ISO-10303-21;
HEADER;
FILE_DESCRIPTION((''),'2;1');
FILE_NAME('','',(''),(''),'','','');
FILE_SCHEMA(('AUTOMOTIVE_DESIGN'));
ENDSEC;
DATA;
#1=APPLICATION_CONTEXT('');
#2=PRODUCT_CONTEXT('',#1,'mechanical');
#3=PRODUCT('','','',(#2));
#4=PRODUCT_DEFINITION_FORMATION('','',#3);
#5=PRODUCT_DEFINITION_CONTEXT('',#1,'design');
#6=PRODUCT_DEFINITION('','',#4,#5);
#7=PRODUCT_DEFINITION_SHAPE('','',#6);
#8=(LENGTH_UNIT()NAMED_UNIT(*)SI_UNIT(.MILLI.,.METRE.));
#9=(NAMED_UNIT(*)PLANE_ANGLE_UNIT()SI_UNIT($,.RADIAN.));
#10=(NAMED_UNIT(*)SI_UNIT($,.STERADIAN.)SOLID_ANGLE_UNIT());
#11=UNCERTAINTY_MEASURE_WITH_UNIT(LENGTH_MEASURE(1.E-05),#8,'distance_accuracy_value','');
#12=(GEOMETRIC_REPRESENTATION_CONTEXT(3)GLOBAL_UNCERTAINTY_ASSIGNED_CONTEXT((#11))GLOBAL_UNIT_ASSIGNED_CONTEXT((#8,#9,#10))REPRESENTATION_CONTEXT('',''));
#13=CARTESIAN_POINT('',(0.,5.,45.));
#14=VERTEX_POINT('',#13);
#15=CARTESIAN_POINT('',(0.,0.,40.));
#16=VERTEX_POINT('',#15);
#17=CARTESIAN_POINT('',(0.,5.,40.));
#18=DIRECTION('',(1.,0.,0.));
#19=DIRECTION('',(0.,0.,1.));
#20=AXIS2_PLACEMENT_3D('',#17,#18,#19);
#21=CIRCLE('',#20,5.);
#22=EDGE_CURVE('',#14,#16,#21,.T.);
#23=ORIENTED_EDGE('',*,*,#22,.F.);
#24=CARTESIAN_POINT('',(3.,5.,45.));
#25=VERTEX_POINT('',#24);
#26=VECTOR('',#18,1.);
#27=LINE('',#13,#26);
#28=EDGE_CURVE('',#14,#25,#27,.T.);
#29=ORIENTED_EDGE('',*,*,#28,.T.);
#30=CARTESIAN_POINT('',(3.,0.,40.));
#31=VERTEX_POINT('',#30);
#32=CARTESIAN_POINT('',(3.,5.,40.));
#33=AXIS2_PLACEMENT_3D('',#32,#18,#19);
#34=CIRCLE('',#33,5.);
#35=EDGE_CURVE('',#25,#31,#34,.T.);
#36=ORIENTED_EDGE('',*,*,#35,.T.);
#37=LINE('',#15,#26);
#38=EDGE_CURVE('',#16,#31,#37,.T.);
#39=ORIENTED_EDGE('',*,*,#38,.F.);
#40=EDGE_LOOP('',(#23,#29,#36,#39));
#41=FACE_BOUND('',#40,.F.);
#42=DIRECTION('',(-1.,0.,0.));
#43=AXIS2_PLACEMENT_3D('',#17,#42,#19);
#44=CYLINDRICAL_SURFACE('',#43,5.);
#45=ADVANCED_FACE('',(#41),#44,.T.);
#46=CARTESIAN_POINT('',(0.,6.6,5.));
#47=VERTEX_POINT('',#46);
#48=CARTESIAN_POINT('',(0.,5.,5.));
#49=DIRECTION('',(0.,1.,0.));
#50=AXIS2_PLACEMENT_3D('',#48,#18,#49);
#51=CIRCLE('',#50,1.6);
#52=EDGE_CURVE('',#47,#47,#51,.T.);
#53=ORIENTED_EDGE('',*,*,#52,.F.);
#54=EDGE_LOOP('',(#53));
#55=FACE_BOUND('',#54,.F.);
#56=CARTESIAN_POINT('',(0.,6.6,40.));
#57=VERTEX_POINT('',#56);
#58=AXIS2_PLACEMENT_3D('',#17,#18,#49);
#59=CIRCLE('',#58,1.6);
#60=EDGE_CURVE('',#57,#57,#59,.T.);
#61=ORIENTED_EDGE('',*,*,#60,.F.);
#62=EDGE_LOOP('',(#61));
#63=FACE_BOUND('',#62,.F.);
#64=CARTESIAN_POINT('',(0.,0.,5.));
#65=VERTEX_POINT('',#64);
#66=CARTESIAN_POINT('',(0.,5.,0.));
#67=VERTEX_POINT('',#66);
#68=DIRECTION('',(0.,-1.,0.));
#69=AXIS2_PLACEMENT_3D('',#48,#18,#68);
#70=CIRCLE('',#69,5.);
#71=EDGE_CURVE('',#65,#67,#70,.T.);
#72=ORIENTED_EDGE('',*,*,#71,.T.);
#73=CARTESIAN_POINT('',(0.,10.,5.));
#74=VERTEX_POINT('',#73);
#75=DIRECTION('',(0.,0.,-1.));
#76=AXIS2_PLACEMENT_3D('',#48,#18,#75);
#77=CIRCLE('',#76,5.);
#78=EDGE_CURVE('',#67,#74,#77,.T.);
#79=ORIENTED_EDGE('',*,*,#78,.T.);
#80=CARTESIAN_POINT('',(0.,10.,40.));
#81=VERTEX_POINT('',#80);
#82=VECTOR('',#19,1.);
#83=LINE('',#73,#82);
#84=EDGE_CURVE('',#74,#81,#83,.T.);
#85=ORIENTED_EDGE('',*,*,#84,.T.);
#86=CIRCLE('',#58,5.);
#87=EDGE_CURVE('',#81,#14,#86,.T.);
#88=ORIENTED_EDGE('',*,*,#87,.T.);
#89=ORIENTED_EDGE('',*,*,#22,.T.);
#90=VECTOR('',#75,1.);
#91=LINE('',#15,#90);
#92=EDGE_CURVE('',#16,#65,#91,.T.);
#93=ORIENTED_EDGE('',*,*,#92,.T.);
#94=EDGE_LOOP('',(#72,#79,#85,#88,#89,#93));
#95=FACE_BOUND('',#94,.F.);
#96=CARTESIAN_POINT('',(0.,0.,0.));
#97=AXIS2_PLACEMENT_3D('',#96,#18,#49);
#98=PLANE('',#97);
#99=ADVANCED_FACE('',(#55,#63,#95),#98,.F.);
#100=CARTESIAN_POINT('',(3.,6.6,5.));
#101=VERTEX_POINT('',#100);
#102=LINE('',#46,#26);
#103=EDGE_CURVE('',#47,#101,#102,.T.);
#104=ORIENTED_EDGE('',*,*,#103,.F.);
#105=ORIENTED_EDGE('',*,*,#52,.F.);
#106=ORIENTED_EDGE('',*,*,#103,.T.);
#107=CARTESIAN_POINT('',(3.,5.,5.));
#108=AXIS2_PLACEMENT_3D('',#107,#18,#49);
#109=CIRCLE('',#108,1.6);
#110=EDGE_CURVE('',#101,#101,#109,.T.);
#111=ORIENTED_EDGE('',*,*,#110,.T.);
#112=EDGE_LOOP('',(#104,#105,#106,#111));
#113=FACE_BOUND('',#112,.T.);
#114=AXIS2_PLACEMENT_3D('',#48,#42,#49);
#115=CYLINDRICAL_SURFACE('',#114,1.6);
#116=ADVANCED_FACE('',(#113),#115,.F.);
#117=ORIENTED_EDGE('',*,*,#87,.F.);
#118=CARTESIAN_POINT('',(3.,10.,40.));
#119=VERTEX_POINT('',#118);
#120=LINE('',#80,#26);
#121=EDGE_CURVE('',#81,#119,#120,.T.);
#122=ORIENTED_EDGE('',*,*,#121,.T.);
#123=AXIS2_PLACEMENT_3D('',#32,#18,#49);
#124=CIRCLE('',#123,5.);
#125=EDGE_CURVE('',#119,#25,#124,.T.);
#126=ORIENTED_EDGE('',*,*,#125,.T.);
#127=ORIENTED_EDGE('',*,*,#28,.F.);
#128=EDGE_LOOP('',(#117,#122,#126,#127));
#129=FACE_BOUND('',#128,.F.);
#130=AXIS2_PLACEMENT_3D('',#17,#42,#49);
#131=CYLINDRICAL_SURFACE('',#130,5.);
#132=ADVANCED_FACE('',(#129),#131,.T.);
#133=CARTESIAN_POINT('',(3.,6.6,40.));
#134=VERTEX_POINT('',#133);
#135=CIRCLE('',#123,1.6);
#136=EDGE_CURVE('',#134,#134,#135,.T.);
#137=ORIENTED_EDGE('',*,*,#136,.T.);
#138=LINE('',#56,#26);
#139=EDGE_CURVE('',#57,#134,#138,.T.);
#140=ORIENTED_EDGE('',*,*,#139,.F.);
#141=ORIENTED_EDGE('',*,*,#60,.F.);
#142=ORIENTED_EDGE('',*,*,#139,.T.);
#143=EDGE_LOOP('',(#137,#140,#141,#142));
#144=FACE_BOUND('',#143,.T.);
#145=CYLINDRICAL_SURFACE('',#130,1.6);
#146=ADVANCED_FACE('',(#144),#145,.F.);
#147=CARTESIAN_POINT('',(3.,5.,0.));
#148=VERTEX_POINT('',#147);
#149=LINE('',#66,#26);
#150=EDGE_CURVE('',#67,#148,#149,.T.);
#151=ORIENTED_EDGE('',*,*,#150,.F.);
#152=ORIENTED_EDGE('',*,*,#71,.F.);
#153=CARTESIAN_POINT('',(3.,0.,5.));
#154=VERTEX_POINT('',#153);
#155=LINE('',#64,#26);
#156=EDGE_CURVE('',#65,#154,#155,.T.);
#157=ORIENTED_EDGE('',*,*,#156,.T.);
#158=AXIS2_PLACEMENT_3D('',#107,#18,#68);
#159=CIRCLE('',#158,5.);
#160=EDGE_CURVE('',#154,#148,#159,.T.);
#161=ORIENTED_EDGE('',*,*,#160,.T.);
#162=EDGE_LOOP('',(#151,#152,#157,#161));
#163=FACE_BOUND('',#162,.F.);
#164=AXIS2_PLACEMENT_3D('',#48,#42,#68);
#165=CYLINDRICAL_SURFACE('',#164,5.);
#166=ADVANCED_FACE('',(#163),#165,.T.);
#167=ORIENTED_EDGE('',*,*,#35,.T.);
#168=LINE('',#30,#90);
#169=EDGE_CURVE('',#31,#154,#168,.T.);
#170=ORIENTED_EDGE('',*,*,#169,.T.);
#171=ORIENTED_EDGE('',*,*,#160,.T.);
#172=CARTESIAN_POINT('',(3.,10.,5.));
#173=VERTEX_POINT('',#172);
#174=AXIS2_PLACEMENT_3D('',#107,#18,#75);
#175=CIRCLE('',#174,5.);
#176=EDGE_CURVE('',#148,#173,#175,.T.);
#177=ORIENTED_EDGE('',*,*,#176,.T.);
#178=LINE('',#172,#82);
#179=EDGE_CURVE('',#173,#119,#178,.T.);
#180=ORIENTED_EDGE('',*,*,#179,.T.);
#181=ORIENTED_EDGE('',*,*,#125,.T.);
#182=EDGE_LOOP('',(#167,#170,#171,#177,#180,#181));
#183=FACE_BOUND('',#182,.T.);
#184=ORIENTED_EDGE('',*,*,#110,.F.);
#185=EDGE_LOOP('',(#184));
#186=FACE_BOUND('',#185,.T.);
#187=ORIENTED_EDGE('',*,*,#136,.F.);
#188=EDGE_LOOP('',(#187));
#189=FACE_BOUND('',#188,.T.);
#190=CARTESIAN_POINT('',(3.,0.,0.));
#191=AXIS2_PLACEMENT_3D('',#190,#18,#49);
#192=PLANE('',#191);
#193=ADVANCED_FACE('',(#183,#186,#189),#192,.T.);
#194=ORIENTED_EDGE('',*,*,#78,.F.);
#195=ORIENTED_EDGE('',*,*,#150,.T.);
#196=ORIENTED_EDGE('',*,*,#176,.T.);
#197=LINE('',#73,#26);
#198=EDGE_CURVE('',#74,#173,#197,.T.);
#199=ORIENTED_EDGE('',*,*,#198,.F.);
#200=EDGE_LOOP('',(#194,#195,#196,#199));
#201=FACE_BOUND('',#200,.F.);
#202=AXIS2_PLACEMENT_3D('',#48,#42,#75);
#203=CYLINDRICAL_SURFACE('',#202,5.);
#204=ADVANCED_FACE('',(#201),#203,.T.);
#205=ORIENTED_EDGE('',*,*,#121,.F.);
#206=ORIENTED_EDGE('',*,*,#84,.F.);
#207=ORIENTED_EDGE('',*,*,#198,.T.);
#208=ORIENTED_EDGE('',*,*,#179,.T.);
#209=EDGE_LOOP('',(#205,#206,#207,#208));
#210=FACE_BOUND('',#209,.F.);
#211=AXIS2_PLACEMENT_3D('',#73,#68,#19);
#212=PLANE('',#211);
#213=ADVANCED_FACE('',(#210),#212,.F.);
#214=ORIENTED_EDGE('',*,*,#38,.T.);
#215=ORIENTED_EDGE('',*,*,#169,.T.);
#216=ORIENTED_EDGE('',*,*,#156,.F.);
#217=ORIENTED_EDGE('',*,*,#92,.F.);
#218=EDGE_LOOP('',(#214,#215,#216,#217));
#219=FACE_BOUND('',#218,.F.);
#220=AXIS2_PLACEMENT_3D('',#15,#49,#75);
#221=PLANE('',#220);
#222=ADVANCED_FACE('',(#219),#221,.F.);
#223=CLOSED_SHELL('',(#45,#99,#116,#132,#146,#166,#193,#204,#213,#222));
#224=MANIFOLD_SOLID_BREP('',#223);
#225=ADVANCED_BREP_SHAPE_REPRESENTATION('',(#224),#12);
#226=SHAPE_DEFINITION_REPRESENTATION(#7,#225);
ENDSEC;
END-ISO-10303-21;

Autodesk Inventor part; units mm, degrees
ref_plane "YZ Plane" through (0, 0, 0) normal (1, 0, 0) x (0, 1, 0)
ref_plane "XZ Plane" through (0, 0, 0) normal (0, 1, 0) x (-1, 0, 0)
ref_plane "XY Plane" through (0, 0, 0) normal (0, 0, 1) x (1, 0, 0)
sketch "Szkic1" plane through (0, 0, 0) normal (1, 0, 0) x (0, 1, 0)
  line L0 (5, 0) -> (5, 0)
  line L1 (10, 5) -> (10, 40)
  line L2 (5, 45) -> (5, 45)
  line L3 (0, 40) -> (0, 5)
  arc A0 (10, 40) -> (5, 45) centre (5, 40) ccw
  arc A1 (5, 45) -> (0, 40) centre (5, 40) ccw
  arc A2 (5, 0) -> (10, 5) centre (5, 5) ccw
  arc A3 (0, 5) -> (5, 0) centre (5, 5) ccw
  circle A4 centre (5, 40) radius 1.6
  circle A5 centre (5, 5) radius 1.6
  point P0 (0, 0)
  point P1 (10, 45)
  point P2 (0, 45)
  dimension "d0" = 10
  dimension "d2" = 5
  dimension "d3" = 35
  dimension "d4" = 3.2
  dimension "d5" = 3.2
extrude "Wyciągnięcie proste1" add sketch "Szkic1" along normal blind 3
properties part number "korba"
